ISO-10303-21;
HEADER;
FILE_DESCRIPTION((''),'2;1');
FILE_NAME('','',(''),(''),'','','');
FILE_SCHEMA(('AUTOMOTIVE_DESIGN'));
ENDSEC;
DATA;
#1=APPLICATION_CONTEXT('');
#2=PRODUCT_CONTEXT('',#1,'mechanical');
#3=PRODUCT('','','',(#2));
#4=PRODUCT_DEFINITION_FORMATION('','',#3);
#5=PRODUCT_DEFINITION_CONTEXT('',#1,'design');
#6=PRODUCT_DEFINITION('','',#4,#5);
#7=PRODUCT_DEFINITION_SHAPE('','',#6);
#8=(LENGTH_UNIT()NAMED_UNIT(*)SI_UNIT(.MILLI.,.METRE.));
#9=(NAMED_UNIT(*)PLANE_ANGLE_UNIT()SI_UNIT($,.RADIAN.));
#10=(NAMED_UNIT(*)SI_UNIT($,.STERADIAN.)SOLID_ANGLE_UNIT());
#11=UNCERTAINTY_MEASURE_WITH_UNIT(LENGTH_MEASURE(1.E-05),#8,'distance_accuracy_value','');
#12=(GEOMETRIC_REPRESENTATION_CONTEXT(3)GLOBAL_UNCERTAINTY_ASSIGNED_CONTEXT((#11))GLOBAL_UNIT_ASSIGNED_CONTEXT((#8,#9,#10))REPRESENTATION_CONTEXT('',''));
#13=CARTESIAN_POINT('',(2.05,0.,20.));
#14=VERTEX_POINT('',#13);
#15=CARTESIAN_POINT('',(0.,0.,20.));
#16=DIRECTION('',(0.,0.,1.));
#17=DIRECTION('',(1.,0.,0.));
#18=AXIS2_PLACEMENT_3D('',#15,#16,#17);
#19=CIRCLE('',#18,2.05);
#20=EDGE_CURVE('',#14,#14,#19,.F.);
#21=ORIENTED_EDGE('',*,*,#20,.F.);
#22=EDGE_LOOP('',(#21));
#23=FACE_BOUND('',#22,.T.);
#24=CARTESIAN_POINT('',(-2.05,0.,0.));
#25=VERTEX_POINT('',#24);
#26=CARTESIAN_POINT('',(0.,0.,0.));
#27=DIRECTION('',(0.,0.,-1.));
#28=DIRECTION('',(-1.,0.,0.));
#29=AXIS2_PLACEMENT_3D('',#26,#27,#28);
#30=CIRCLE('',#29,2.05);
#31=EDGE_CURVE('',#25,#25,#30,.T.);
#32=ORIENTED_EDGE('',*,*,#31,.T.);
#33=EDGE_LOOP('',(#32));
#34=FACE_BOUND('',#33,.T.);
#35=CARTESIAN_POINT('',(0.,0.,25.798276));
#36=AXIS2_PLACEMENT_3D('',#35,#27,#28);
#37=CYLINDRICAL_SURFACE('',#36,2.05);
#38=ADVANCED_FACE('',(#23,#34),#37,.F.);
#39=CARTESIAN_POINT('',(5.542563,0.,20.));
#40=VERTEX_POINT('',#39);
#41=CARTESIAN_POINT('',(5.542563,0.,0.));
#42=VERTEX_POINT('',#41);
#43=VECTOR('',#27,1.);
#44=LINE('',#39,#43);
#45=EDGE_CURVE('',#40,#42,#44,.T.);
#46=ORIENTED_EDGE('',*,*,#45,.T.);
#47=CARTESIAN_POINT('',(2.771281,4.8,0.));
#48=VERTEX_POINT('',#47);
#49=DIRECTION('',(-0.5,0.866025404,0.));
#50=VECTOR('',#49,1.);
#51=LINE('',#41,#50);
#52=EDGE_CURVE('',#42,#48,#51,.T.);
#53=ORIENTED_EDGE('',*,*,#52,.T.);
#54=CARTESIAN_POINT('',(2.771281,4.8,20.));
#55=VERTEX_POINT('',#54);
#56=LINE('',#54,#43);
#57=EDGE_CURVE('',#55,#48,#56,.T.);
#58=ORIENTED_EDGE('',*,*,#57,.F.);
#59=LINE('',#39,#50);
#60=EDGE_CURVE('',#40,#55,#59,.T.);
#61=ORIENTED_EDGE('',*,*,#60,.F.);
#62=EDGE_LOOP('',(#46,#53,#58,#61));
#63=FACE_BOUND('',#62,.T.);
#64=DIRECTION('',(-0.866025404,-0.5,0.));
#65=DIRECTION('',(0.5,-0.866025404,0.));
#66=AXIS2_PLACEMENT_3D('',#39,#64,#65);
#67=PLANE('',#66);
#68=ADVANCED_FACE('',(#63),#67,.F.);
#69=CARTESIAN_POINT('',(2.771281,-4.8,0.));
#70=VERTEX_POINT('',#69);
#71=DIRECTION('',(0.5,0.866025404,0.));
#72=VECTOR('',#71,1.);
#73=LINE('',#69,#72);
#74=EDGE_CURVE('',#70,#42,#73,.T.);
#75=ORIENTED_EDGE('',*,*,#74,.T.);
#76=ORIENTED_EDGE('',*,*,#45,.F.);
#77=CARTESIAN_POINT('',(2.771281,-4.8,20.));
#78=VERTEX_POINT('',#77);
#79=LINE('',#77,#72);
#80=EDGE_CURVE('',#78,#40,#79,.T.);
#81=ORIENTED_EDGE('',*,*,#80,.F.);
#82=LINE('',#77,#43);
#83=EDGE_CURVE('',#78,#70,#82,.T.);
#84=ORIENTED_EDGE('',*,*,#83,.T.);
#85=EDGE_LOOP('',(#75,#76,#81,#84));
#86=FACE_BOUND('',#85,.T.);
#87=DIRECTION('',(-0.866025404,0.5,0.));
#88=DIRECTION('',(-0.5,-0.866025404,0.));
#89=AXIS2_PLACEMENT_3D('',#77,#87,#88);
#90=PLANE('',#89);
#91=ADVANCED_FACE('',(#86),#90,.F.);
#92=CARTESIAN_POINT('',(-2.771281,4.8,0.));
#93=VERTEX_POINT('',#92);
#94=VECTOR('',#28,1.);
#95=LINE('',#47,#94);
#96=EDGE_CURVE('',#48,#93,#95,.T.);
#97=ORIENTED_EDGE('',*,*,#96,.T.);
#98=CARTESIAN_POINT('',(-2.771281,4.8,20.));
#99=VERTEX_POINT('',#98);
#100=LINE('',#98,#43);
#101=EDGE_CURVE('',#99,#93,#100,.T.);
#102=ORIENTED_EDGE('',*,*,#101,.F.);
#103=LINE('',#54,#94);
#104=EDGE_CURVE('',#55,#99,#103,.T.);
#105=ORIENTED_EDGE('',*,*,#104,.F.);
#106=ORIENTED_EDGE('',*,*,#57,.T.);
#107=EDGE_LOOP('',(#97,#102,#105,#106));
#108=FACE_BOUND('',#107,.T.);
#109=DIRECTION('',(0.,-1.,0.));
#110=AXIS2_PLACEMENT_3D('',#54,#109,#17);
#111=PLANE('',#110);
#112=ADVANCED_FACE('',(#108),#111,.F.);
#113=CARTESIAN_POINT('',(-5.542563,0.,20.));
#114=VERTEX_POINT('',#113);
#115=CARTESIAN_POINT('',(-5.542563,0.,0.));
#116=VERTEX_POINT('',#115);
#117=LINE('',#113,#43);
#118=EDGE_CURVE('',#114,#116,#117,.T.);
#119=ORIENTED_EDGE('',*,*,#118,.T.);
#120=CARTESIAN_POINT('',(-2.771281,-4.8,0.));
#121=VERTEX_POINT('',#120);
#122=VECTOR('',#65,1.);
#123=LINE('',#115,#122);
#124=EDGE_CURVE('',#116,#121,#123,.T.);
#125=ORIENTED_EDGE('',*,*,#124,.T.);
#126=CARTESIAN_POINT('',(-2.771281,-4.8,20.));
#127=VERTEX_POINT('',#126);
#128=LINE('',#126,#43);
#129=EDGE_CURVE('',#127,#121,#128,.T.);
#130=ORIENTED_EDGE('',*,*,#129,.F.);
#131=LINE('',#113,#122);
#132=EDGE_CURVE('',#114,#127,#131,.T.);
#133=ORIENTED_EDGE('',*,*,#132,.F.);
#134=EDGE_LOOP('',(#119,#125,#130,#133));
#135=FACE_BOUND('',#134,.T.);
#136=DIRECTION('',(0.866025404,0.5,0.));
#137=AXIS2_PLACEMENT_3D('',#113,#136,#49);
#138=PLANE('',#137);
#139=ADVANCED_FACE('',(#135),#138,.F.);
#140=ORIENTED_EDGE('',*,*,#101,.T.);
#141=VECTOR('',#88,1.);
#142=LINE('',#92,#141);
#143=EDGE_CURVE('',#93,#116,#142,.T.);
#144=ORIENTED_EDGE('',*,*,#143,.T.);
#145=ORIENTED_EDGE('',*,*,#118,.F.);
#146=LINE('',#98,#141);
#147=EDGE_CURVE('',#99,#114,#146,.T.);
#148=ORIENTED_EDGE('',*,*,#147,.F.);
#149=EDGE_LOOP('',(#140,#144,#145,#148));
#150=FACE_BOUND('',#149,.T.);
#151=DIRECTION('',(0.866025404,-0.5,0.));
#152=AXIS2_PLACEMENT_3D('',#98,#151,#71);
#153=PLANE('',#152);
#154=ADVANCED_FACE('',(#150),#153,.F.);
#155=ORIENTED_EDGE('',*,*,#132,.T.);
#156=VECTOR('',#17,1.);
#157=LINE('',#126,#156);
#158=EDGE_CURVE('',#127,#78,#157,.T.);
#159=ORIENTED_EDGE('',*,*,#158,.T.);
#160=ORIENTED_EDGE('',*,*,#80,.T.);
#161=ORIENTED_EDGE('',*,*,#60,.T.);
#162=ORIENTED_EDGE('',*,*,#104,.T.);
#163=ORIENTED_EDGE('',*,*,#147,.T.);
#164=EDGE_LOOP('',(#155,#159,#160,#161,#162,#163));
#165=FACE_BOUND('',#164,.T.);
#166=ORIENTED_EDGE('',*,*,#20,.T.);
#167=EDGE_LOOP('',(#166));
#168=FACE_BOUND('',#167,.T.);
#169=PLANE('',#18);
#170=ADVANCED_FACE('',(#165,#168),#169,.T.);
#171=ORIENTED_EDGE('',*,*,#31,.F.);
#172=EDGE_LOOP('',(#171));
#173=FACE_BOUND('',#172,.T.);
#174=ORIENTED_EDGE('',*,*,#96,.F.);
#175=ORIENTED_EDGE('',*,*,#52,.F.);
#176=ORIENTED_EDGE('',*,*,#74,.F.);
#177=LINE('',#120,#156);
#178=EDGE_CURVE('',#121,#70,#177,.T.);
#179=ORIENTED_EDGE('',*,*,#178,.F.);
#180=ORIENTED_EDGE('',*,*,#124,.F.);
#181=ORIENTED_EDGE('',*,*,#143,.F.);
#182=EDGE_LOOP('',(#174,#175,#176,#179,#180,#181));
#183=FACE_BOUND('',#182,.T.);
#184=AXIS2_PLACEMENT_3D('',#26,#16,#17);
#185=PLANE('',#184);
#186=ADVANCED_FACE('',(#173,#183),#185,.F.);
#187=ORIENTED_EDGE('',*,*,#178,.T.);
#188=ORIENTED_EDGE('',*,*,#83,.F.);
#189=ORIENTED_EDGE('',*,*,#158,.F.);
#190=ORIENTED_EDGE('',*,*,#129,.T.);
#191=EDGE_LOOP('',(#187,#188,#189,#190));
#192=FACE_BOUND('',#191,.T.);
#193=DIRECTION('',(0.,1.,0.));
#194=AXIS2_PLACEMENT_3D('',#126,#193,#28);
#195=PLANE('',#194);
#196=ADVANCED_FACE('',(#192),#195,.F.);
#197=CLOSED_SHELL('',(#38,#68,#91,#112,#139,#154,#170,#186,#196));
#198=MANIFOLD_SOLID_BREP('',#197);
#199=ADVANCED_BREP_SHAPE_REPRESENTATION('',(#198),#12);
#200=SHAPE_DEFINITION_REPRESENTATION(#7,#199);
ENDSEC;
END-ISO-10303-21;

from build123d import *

# Parameters (mm, degrees)
BOSS_EXTRUDE1_DEPTH = 20
SKETCH3_R           = 2.05
CUT_EXTRUDE1_DEPTH  = 20


with BuildPart() as part:
    # Sketch2 → Boss-Extrude1 (new body)
    with BuildSketch(Plane.XY):
        Polygon((5.542562584, 0), (2.771281292, 4.8), (-2.771281292, 4.8), (-5.542562584, 0), (-2.771281292, -4.8), (2.771281292, -4.8), align=None)
    extrude(amount=BOSS_EXTRUDE1_DEPTH)

    # Sketch3 → Cut-Extrude1 (cut)
    with BuildSketch(Plane(origin=(0, 0, 0), x_dir=(-1, 0, 0), z_dir=(0, 0, -1))):
        Circle(SKETCH3_R)
    extrude(amount=-CUT_EXTRUDE1_DEPTH, mode=Mode.SUBTRACT)


solid = part.part
